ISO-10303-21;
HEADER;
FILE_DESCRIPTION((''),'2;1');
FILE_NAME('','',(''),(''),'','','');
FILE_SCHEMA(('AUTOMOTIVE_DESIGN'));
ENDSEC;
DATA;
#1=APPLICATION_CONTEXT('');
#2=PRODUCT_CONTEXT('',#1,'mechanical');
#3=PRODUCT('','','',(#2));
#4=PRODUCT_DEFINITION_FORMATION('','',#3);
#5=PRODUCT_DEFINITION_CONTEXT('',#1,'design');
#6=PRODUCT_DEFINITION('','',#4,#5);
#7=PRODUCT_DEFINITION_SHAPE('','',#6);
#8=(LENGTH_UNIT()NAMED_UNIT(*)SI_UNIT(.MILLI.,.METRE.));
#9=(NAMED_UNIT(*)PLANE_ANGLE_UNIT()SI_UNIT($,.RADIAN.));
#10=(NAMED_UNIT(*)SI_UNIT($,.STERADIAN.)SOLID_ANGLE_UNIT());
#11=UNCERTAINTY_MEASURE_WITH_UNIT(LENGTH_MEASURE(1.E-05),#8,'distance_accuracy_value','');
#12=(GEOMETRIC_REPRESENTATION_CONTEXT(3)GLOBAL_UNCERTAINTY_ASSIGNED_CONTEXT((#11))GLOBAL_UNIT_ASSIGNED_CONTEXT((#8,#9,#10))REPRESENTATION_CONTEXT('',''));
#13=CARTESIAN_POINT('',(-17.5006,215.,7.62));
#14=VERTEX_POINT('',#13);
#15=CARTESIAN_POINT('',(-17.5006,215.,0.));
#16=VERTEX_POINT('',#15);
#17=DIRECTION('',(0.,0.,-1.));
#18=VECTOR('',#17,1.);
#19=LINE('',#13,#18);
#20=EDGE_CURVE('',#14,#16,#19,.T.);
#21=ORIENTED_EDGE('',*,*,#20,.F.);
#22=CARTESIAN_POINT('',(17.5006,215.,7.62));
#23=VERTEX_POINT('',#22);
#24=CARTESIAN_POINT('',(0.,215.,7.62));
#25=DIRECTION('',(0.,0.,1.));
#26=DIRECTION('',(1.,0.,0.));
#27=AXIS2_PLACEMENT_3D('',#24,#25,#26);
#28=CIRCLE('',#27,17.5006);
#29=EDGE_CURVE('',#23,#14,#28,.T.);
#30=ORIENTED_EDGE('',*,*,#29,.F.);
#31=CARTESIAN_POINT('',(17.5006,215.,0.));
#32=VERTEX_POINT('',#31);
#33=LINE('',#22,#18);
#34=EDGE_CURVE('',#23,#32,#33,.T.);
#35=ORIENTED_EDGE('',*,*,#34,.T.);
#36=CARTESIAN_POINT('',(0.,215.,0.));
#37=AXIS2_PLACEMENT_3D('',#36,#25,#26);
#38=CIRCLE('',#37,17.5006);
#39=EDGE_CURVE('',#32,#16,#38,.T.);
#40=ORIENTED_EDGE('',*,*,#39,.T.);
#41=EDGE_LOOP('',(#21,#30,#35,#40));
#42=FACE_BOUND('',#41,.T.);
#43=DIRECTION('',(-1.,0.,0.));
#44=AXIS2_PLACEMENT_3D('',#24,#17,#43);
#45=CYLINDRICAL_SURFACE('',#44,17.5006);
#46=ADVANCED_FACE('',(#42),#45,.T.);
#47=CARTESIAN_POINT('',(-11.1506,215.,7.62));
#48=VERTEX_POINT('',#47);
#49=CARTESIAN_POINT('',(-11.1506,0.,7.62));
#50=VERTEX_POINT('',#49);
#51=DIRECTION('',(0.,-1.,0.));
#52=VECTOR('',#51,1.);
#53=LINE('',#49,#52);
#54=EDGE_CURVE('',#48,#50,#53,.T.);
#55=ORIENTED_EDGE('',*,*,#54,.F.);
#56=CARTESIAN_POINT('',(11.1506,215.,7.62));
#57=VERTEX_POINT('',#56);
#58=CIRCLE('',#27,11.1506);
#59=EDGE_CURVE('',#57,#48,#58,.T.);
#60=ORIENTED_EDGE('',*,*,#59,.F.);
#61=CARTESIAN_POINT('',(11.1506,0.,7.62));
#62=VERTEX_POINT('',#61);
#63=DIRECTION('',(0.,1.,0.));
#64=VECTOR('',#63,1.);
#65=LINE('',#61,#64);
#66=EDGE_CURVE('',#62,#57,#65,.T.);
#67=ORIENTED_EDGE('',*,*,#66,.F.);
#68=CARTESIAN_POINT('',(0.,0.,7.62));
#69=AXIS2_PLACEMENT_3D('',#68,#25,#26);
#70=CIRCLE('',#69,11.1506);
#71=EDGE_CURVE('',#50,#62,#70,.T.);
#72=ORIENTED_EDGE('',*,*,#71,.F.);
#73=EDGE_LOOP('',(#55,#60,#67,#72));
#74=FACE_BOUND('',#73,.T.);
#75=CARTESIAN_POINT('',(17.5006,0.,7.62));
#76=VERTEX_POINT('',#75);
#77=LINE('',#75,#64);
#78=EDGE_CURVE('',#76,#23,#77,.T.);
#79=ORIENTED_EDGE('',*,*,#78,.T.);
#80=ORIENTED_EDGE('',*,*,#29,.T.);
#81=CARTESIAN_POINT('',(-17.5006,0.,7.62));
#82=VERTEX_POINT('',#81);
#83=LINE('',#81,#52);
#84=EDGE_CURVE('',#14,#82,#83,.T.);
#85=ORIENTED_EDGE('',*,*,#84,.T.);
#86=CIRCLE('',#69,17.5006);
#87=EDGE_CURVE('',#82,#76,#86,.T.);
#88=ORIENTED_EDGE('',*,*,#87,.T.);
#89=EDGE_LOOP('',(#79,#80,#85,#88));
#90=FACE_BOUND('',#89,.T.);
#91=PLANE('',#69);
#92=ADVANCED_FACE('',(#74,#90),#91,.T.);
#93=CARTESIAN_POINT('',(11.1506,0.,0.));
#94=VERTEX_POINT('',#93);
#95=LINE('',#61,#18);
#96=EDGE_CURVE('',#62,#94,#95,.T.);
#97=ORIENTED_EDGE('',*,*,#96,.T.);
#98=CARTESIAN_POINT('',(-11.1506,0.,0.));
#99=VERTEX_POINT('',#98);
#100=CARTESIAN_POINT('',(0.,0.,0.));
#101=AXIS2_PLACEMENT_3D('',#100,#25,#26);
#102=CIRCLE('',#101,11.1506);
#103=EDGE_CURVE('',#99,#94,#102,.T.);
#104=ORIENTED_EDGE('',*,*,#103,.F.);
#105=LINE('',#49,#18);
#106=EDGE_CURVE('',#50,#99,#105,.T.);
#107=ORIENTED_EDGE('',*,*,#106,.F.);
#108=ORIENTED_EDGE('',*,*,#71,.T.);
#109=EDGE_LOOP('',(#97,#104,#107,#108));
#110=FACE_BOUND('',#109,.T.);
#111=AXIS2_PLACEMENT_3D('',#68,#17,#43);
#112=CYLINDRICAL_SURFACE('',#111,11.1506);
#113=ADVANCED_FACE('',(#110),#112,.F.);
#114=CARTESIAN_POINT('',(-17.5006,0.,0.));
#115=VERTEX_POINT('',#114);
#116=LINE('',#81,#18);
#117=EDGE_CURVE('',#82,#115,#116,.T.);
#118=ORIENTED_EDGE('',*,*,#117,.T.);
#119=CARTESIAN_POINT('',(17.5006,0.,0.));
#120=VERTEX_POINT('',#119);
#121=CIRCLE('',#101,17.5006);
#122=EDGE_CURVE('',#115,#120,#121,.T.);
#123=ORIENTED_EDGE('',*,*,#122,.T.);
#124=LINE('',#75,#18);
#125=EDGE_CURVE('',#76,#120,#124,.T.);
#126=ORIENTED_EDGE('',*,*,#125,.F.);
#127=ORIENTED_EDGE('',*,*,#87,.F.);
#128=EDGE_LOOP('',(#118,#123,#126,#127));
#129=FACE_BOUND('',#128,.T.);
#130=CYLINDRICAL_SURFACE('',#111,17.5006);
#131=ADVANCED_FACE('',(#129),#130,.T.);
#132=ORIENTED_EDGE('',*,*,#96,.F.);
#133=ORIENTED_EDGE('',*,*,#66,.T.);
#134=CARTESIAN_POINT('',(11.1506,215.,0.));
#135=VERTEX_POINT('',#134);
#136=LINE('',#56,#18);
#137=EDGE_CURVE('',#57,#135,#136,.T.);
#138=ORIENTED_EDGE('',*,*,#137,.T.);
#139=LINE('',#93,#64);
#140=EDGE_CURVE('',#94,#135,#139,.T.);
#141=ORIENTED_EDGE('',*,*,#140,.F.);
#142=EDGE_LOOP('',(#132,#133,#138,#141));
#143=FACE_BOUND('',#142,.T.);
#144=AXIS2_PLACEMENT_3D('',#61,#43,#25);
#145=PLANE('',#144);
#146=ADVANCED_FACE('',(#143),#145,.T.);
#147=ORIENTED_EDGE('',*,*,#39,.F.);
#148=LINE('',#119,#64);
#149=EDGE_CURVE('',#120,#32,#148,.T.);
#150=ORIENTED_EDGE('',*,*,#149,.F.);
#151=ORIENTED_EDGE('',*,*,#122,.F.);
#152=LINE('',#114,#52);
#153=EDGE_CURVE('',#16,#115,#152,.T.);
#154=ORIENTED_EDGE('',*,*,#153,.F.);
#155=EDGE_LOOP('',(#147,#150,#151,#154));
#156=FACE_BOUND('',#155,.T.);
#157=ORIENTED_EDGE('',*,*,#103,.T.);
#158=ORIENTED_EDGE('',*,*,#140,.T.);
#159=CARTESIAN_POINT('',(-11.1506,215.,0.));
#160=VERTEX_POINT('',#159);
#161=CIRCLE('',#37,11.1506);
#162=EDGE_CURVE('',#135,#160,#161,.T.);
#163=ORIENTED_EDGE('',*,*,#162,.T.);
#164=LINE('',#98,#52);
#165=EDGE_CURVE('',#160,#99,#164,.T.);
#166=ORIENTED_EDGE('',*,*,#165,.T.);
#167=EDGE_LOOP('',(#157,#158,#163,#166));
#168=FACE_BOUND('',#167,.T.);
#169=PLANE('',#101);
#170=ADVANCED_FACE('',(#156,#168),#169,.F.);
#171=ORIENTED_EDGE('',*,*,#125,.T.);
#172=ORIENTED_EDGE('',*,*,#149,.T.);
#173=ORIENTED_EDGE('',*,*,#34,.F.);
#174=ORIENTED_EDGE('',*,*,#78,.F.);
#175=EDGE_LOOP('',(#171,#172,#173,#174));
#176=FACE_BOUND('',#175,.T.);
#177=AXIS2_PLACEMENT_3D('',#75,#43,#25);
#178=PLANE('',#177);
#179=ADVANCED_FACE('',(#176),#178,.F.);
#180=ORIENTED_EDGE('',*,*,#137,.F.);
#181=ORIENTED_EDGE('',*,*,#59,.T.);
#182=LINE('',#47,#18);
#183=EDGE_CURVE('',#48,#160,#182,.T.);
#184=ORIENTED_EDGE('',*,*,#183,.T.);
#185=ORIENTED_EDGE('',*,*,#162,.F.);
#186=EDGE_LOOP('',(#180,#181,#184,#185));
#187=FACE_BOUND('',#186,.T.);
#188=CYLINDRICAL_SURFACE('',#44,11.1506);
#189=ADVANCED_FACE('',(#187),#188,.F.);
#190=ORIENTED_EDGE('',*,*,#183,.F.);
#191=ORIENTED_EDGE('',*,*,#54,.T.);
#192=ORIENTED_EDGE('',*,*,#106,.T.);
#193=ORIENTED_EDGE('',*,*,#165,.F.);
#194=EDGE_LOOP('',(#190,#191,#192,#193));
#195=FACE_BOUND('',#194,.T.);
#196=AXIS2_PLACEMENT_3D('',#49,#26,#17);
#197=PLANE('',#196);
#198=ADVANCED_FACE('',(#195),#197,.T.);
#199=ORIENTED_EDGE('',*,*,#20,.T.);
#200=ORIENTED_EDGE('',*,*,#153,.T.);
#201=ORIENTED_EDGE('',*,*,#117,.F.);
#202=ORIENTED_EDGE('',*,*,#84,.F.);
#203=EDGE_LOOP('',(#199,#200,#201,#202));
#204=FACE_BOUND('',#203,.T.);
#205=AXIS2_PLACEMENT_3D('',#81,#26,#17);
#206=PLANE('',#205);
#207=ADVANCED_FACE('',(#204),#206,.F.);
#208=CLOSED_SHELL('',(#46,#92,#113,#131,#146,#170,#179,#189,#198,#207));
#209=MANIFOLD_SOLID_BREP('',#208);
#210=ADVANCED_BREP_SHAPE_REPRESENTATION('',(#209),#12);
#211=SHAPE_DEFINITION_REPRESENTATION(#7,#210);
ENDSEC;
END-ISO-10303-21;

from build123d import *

# Parameters (mm, degrees)
BOSS_EXTRUDE1_DEPTH = 7.62


with BuildPart() as part:
    # Sketch1 → Boss-Extrude1 (new body)
    with BuildSketch(Plane.XY):
        with BuildLine():
            Line((-17.5006, 0), (-17.5006, 215))
            ThreePointArc((-17.5006, 215), (0, 232.5006), (17.5006, 215))
            Line((17.5006, 215), (17.5006, 0))
            ThreePointArc((17.5006, 0), (0, -17.5006), (-17.5006, 0))
        make_face()
        with BuildLine():
            Line((-11.1506, 0), (-11.1506, 215))
            ThreePointArc((-11.1506, 215), (0, 226.1506), (11.1506, 215))
            Line((11.1506, 215), (11.1506, 0))
            ThreePointArc((11.1506, 0), (0, -11.1506), (-11.1506, 0))
        make_face(mode=Mode.SUBTRACT)
    extrude(amount=BOSS_EXTRUDE1_DEPTH)


solid = part.part
